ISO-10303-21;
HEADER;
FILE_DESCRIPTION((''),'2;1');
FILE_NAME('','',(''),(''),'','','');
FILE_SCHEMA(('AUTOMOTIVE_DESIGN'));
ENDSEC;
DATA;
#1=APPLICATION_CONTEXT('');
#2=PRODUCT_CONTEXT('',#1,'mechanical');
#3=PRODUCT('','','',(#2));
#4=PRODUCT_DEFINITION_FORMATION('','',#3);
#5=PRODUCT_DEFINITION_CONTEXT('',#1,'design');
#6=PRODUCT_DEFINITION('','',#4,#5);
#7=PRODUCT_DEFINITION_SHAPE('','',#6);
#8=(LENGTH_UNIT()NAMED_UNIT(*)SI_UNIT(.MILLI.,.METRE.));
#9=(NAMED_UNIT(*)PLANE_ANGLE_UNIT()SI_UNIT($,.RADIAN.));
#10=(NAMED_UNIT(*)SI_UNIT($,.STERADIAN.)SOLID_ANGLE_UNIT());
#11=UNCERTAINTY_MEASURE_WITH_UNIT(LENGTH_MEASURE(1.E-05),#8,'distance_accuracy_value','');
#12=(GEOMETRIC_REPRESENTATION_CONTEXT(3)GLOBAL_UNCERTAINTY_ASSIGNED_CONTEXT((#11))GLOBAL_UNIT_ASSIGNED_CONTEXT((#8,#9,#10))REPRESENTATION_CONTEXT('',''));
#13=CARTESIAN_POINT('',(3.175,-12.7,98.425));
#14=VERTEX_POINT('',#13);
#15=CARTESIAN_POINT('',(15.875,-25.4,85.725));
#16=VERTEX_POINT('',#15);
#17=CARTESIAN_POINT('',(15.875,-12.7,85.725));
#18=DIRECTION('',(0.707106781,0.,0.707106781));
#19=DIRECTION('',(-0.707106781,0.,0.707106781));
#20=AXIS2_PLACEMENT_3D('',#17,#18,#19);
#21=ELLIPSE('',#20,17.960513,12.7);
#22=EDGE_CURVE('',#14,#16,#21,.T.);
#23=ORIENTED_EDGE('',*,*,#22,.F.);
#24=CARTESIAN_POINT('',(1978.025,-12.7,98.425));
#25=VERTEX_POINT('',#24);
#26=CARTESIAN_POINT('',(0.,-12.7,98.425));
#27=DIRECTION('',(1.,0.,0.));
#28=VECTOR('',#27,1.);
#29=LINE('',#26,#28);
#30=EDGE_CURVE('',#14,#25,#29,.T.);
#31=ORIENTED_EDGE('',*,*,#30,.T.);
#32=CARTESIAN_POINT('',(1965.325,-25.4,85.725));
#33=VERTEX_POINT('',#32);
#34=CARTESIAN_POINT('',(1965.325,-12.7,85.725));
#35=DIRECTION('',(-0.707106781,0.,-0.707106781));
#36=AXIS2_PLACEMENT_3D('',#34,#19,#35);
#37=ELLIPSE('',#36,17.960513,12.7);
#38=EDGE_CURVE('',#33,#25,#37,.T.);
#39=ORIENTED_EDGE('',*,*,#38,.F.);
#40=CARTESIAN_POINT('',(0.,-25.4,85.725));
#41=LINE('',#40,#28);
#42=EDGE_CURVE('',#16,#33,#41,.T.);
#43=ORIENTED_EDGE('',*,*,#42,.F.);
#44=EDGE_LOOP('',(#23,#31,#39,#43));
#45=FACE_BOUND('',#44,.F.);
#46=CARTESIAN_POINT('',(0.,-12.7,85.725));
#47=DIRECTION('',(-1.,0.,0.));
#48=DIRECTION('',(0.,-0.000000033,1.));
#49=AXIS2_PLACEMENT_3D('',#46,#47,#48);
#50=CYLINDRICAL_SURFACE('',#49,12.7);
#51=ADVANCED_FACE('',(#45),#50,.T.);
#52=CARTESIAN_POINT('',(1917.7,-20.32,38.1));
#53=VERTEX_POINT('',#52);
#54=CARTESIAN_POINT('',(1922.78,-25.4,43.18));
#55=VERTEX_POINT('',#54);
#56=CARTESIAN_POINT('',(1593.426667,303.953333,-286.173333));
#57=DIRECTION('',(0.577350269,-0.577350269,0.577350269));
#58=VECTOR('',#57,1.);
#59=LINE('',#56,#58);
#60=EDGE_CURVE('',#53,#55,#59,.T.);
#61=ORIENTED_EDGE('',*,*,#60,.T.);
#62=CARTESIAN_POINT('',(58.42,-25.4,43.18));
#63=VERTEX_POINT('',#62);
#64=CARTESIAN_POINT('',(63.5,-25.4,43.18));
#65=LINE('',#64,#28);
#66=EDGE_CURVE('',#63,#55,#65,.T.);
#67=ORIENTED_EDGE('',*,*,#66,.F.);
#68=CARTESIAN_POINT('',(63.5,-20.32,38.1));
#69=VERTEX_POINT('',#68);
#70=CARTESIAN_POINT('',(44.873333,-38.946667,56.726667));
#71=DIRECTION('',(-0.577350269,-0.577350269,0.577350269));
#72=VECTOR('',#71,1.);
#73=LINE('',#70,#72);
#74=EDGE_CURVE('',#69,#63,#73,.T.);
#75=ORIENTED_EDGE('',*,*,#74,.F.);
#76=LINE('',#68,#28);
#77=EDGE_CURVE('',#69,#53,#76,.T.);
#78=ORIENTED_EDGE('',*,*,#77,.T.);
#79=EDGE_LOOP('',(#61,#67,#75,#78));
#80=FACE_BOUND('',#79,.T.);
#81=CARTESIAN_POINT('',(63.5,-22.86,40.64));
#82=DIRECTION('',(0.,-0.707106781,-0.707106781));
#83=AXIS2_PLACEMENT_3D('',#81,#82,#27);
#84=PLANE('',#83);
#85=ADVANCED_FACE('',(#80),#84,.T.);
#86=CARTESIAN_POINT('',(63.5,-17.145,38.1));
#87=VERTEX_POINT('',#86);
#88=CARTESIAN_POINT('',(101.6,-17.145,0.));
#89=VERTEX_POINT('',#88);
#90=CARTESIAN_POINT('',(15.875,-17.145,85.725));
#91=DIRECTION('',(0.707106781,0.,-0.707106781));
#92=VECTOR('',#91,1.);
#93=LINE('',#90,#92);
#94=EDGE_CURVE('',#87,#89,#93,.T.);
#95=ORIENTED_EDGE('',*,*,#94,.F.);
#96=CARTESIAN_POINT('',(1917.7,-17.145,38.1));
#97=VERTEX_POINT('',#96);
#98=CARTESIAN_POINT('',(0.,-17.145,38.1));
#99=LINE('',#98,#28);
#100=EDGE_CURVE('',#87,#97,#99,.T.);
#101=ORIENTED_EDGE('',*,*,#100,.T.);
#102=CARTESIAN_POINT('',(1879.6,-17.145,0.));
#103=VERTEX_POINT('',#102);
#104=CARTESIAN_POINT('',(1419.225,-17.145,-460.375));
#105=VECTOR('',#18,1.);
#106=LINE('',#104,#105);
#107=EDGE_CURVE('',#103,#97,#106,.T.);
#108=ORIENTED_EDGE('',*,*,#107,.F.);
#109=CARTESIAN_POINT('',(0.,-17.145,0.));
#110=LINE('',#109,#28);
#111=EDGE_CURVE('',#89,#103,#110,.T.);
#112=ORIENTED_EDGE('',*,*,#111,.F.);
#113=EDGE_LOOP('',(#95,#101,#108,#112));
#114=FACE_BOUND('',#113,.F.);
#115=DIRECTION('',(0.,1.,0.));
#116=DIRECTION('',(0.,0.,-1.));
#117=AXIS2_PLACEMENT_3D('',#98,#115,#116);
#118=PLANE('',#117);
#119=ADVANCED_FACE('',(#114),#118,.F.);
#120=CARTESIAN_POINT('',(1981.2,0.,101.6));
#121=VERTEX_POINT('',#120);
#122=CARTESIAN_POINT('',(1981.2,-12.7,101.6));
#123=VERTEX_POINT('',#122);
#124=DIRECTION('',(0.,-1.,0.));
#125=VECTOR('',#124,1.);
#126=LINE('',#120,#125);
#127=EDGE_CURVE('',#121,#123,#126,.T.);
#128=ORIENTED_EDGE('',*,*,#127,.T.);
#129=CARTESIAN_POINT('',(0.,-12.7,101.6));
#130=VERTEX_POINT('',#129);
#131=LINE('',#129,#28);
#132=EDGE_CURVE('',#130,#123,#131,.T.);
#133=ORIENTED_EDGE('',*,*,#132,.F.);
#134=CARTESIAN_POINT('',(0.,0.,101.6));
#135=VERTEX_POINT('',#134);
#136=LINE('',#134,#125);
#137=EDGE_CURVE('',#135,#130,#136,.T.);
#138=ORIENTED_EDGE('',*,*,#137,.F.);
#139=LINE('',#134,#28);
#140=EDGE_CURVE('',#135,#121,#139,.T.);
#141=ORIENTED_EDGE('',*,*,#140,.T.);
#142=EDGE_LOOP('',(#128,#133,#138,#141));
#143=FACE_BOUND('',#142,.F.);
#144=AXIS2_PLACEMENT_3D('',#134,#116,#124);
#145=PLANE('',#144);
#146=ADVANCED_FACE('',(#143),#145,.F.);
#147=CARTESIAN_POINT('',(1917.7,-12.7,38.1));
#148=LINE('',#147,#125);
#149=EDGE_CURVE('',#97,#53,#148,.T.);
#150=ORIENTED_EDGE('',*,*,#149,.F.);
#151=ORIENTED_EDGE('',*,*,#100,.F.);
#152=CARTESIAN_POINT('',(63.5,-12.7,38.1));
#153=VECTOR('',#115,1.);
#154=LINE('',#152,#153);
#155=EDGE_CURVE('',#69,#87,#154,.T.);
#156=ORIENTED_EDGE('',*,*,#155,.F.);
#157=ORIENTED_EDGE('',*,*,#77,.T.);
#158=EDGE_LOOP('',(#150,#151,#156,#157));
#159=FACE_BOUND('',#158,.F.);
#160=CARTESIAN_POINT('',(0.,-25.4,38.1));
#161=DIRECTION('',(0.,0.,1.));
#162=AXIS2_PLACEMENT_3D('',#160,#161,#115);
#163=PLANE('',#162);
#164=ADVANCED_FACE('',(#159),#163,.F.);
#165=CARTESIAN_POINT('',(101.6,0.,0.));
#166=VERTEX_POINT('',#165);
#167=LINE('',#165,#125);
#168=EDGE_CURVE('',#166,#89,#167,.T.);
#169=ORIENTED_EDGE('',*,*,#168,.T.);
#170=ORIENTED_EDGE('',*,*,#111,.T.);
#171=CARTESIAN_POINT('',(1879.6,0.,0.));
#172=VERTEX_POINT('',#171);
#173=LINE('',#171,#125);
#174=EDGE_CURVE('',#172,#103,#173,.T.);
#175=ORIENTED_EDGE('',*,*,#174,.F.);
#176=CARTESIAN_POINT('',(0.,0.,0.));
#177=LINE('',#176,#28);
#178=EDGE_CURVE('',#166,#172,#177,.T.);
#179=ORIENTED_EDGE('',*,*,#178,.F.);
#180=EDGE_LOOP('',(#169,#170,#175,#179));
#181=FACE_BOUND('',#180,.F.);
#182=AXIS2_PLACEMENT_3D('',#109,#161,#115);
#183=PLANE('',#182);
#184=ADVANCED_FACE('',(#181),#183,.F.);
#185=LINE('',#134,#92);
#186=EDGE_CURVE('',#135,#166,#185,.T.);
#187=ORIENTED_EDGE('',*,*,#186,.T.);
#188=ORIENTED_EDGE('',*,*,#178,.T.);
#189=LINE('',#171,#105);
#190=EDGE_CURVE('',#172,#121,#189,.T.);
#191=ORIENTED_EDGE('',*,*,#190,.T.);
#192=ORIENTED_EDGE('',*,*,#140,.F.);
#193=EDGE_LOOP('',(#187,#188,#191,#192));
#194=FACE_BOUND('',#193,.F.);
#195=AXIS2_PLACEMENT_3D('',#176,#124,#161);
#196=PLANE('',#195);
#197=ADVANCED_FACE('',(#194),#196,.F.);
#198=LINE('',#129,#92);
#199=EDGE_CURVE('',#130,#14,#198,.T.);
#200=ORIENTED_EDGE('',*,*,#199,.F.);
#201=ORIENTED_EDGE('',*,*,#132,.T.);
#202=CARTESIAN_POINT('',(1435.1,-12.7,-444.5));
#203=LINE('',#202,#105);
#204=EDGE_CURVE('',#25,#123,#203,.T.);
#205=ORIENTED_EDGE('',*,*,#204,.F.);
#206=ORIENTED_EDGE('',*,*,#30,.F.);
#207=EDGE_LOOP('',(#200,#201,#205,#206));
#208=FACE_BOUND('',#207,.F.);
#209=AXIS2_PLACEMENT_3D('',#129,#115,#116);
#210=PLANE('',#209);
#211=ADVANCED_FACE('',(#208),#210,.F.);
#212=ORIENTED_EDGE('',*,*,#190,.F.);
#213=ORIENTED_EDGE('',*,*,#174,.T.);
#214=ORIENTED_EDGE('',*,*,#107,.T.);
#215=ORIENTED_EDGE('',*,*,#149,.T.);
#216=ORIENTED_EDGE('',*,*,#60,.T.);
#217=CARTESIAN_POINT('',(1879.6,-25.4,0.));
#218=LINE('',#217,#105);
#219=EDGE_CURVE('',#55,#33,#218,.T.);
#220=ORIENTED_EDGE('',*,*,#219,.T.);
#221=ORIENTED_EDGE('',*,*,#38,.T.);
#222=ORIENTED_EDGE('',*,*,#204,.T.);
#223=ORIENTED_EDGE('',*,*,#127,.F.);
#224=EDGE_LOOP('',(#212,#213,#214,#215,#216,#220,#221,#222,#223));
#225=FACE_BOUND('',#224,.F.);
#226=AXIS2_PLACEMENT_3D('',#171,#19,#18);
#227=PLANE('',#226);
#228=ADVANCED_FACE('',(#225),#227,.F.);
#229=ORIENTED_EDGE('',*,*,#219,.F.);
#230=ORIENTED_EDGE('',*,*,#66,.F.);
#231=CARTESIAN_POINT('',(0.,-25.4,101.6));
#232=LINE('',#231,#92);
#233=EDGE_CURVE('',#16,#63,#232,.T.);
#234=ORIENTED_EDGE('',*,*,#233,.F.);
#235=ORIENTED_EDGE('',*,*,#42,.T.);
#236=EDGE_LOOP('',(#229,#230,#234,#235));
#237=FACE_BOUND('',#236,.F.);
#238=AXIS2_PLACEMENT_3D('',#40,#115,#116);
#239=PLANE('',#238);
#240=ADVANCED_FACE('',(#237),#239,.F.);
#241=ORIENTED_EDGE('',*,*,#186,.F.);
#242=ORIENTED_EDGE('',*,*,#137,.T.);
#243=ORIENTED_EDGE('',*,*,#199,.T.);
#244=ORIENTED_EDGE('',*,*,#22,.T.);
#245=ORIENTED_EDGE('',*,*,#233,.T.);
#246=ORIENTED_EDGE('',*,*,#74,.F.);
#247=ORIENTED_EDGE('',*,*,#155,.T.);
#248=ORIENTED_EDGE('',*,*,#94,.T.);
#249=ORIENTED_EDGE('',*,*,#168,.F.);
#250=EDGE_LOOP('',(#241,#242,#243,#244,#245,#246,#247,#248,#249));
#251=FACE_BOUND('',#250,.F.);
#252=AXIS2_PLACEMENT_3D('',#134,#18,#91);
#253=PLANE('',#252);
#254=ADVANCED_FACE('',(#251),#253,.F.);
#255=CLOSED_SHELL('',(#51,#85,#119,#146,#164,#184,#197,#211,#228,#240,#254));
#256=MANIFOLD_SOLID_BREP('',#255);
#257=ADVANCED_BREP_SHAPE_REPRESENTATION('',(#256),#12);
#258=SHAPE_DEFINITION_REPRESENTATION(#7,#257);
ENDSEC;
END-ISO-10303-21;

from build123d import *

# Parameters (mm, degrees)
F1_DEPTH = 1981.2
F3_DEPTH = 25.4
F4_SIZE  = 5.08


with BuildPart() as f1:
    # F0 (on Right) → F1 (new body)
    with BuildSketch(Plane.YZ):
        with BuildLine():
            Line((-17.145, 0), (0, 0))
            Line((0, 0), (0, 101.6))
            Line((0, 101.6), (-12.7, 101.6))
            Line((-12.7, 101.6), (-12.7, 98.425))
            ThreePointArc((-12.7, 98.425), (-21.680256, 94.705256), (-25.4, 85.725))
            Line((-25.4, 85.725), (-25.4, 38.1))
            Line((-25.4, 38.1), (-17.145, 38.1))
            Line((-17.145, 38.1), (-17.145, 0))
        make_face()
    extrude(amount=F1_DEPTH)

    # F2 (on face) → F3 (cut)
    with BuildSketch(Plane(origin=(0, 0, 0), x_dir=(-1, 0, 0), z_dir=(0, 1, 0))):
        Polygon((-1879.6, 0), (-1981.2, 101.6), (-1981.2, 0), align=None)
        Polygon((0, 0), (0, 101.6), (-101.6, 0), align=None)
    extrude(amount=-F3_DEPTH, mode=Mode.SUBTRACT)

    # F4
    f4_edges = [f1.edges().sort_by_distance(p)[0] for p in [
        (990.6, -25.4, 38.1),
    ]]
    chamfer(f4_edges, length=F4_SIZE)


solid = f1.part
